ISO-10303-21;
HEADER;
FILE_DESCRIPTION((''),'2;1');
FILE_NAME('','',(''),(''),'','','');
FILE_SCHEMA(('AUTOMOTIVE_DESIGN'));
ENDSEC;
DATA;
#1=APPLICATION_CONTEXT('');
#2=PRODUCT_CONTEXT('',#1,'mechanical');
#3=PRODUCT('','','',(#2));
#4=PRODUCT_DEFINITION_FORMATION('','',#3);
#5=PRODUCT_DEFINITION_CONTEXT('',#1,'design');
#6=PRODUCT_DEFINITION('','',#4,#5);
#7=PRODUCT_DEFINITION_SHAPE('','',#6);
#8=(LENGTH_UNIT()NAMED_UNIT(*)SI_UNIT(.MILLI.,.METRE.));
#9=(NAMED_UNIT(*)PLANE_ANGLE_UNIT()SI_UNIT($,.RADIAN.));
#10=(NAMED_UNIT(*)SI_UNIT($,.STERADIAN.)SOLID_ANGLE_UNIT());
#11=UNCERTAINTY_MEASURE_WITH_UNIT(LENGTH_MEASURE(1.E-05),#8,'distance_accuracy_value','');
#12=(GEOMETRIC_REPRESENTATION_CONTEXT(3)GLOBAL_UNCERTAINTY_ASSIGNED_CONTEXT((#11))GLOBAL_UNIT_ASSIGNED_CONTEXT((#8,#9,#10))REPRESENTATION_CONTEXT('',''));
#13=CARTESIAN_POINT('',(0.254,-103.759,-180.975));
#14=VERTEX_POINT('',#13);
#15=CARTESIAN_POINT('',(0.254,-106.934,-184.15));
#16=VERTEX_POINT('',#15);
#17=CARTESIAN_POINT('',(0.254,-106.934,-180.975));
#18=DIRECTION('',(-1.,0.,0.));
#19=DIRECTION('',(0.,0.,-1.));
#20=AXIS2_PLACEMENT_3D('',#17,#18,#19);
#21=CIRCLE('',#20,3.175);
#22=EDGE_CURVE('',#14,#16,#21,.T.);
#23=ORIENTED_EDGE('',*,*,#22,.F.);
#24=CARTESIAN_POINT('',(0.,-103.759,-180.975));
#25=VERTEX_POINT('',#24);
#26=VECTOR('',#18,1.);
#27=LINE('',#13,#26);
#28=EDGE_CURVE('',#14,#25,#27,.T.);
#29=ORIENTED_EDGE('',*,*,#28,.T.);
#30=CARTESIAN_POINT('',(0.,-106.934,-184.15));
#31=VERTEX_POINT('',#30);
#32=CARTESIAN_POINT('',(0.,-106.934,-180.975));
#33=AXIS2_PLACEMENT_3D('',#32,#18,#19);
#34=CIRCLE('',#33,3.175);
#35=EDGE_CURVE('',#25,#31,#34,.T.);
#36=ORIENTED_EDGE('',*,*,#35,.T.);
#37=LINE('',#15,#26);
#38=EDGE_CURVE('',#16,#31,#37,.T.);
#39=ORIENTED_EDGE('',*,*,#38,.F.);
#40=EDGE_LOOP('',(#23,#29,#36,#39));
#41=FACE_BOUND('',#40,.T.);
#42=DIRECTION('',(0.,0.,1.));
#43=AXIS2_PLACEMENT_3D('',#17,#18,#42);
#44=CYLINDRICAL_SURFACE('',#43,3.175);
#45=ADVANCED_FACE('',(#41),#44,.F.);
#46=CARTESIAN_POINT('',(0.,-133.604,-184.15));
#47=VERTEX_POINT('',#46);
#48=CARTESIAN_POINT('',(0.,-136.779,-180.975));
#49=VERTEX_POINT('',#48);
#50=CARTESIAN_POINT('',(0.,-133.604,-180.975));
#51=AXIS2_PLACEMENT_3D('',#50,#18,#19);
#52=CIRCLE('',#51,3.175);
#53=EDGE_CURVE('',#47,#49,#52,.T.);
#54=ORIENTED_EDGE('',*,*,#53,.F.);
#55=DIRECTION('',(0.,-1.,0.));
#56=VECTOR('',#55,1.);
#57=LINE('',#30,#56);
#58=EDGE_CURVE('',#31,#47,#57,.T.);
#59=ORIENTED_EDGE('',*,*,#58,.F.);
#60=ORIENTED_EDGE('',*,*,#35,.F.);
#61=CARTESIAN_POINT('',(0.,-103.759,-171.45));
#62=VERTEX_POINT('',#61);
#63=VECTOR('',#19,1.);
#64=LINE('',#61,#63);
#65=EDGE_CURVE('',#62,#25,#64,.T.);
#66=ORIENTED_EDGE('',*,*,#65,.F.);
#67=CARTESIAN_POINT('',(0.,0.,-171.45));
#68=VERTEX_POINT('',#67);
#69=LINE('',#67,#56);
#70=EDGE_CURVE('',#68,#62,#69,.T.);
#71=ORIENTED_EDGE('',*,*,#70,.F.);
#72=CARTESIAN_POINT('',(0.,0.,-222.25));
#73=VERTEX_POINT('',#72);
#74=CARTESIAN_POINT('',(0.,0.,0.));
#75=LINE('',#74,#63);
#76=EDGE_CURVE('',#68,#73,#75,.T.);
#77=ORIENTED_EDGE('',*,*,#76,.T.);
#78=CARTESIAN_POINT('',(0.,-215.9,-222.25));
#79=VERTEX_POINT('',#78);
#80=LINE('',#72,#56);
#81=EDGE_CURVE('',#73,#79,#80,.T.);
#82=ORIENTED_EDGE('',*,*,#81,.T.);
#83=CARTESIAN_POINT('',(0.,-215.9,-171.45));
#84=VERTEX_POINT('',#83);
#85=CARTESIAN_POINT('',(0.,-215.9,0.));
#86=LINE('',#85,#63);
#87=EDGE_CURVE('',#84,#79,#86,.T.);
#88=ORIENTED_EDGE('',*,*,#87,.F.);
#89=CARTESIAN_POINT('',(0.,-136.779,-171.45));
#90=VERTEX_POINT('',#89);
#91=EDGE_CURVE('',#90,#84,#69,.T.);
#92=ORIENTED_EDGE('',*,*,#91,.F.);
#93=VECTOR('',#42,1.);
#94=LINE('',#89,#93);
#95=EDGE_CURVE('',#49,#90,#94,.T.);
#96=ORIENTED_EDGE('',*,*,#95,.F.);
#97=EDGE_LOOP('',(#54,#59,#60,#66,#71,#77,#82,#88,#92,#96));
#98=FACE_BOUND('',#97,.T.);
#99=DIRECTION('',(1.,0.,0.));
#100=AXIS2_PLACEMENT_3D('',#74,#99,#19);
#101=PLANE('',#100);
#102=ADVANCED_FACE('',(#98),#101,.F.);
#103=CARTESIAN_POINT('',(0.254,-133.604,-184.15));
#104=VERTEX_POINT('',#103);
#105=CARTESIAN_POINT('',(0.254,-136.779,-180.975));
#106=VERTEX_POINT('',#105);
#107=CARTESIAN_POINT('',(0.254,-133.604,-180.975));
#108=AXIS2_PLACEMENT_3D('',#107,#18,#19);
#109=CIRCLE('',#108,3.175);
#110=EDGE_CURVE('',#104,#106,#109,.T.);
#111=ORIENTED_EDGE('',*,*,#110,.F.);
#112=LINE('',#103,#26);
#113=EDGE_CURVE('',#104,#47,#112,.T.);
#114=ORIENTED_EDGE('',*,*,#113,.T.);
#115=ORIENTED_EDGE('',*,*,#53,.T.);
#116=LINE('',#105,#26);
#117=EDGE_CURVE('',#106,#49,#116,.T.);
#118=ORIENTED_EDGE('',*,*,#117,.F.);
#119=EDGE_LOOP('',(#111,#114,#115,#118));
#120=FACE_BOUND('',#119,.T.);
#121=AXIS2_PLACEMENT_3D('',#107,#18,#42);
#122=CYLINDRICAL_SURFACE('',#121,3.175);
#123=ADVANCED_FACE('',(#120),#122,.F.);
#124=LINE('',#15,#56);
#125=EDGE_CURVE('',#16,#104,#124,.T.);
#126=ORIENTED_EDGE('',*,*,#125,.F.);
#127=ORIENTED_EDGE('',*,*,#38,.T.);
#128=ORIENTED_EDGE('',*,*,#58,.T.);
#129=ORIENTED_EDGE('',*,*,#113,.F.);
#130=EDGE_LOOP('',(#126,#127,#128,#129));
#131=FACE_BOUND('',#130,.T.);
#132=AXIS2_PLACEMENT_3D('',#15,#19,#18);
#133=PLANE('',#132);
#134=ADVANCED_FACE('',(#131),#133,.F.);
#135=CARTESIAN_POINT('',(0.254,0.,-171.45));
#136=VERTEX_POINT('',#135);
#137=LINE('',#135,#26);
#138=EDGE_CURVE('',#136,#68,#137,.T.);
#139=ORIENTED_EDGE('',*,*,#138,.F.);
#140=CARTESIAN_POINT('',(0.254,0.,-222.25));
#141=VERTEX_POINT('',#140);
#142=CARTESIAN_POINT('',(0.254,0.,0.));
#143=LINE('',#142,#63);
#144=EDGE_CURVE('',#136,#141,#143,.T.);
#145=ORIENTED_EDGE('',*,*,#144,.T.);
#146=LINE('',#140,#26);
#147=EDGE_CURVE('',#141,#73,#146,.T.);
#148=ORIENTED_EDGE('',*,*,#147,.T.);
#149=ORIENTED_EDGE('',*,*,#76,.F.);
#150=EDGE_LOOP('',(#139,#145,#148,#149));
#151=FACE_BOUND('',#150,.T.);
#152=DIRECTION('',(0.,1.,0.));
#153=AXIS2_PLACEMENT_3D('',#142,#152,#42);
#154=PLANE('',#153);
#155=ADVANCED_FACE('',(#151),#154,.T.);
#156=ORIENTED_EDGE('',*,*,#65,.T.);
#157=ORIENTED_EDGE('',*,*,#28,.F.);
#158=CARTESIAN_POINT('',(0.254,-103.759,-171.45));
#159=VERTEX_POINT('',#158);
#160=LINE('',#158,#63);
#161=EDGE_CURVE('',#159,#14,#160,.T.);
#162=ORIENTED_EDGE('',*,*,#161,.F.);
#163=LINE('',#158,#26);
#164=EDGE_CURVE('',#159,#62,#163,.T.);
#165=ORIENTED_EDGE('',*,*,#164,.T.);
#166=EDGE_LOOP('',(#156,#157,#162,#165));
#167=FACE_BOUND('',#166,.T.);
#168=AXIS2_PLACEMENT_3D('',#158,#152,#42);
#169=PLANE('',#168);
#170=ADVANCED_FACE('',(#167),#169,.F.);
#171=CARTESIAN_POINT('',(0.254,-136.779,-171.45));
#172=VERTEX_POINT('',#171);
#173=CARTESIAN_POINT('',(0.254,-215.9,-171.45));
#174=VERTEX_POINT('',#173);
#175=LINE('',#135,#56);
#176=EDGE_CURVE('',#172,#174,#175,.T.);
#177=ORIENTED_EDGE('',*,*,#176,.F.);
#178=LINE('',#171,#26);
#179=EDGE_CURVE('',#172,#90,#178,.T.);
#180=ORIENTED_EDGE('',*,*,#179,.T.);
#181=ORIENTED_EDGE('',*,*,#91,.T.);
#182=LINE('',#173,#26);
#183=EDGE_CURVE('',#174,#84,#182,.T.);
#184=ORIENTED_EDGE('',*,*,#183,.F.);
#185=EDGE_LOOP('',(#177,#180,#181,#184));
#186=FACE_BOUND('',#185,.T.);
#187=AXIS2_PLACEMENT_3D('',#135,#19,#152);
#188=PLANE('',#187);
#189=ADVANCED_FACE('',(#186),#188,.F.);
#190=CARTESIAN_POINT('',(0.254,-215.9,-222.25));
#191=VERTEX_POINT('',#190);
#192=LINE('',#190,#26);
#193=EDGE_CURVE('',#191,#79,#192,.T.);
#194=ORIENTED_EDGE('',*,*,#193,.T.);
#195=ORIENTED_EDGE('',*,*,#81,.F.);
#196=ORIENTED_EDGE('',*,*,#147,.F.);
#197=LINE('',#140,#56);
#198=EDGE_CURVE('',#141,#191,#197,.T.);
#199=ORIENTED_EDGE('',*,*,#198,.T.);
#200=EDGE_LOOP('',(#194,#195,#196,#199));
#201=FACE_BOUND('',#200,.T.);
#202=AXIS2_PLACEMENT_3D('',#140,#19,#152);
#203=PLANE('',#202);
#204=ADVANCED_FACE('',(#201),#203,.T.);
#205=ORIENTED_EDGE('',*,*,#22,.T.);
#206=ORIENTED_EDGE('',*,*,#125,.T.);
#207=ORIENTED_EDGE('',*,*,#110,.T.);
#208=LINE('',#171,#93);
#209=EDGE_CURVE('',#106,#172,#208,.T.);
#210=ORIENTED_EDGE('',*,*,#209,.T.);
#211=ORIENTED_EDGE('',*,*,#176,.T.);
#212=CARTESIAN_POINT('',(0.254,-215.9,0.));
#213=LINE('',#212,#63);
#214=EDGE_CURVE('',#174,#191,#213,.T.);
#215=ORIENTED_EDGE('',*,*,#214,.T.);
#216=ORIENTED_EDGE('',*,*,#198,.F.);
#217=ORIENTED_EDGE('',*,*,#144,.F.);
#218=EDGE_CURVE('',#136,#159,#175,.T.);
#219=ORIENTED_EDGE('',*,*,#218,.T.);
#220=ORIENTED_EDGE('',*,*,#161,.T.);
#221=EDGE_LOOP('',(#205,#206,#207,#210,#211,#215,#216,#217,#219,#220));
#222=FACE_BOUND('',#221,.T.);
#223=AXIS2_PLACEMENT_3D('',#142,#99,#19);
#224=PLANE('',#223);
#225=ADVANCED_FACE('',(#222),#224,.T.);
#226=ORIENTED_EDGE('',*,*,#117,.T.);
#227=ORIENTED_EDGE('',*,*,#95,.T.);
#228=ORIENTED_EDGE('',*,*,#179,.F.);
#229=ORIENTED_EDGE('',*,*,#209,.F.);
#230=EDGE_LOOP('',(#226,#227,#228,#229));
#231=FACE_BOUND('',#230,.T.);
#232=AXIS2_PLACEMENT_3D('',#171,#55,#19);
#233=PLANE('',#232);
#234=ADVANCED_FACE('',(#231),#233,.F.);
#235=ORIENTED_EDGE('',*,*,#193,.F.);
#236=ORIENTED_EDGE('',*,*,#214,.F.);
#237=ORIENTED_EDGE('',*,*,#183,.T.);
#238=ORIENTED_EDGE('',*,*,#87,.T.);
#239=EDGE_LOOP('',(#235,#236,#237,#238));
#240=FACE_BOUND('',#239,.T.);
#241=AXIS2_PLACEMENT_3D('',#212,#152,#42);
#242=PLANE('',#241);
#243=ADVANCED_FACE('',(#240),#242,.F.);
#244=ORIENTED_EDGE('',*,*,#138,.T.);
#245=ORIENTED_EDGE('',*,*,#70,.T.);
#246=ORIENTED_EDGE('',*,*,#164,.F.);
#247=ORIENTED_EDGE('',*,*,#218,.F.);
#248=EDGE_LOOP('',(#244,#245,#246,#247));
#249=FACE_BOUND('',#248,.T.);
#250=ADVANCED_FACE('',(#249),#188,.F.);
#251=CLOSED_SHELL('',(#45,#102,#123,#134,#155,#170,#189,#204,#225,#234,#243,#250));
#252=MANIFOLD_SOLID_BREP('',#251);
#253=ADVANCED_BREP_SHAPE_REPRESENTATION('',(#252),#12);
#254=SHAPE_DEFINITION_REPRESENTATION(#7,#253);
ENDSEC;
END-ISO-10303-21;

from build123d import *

# Parameters (mm, degrees)
BOSS_EXTRUDE2_DEPTH = 0.254
CUT_EXTRUDE1_DEPTH  = 1.254
SKETCH13_W          = 222.25
SKETCH13_H          = 69.85
CUT_EXTRUDE3_DEPTH  = 1.254


with BuildPart() as part:
    # Sketch1 → Boss-Extrude2 (new body)
    with BuildSketch(Plane(origin=(0, 0, 0), x_dir=(0, 0, -1), z_dir=(1, 0, 0))):
        with BuildLine():
            Line((0, -234.95), (0, -285.75))
            Line((0, -285.75), (203.2, -285.75))
            ThreePointArc((203.2, -285.75), (216.670384182, -280.170384182), (222.25, -266.7))
            Line((222.25, -266.7), (222.25, 0))
            Line((222.25, 0), (171.45, 0))
            Line((171.45, 0), (171.45, -215.9))
            ThreePointArc((171.45, -215.9), (165.870384182, -229.370384182), (152.4, -234.95))
            Line((152.4, -234.95), (0, -234.95))
        make_face()
    extrude(amount=BOSS_EXTRUDE2_DEPTH)

    # Sketch11 → Cut-Extrude1 (cut, through all)
    with BuildSketch(Plane.ZY):
        with BuildLine():
            Line((-171.45, -103.759), (-180.975, -103.759))
            ThreePointArc((-180.975, -103.759), (-183.22006403, -104.68893597), (-184.15, -106.934))
            Line((-184.15, -106.934), (-184.15, -133.604))
            ThreePointArc((-184.15, -133.604), (-183.22006403, -135.84906403), (-180.975, -136.779))
            Line((-180.975, -136.779), (-171.45, -136.779))
            Line((-171.45, -136.779), (-171.45, -103.759))
        make_face()
        with BuildLine():
            Line((-44.45, -234.95), (-31.75, -234.95))
            Line((-31.75, -234.95), (-31.75, -244.475))
            ThreePointArc((-31.75, -244.475), (-32.67993597, -246.72006403), (-34.925, -247.65))
            Line((-34.925, -247.65), (-41.275, -247.65))
            ThreePointArc((-41.275, -247.65), (-43.52006403, -246.72006403), (-44.45, -244.475))
            Line((-44.45, -244.475), (-44.45, -234.95))
        make_face()
    extrude(amount=-CUT_EXTRUDE1_DEPTH, mode=Mode.SUBTRACT)

    # Sketch13 → Cut-Extrude3 (cut, through all)
    with BuildSketch(Plane.ZY):
        with Locations((-111.125, -250.825)):
            Rectangle(SKETCH13_W, SKETCH13_H)
    extrude(amount=-CUT_EXTRUDE3_DEPTH, mode=Mode.SUBTRACT)


solid = part.part
